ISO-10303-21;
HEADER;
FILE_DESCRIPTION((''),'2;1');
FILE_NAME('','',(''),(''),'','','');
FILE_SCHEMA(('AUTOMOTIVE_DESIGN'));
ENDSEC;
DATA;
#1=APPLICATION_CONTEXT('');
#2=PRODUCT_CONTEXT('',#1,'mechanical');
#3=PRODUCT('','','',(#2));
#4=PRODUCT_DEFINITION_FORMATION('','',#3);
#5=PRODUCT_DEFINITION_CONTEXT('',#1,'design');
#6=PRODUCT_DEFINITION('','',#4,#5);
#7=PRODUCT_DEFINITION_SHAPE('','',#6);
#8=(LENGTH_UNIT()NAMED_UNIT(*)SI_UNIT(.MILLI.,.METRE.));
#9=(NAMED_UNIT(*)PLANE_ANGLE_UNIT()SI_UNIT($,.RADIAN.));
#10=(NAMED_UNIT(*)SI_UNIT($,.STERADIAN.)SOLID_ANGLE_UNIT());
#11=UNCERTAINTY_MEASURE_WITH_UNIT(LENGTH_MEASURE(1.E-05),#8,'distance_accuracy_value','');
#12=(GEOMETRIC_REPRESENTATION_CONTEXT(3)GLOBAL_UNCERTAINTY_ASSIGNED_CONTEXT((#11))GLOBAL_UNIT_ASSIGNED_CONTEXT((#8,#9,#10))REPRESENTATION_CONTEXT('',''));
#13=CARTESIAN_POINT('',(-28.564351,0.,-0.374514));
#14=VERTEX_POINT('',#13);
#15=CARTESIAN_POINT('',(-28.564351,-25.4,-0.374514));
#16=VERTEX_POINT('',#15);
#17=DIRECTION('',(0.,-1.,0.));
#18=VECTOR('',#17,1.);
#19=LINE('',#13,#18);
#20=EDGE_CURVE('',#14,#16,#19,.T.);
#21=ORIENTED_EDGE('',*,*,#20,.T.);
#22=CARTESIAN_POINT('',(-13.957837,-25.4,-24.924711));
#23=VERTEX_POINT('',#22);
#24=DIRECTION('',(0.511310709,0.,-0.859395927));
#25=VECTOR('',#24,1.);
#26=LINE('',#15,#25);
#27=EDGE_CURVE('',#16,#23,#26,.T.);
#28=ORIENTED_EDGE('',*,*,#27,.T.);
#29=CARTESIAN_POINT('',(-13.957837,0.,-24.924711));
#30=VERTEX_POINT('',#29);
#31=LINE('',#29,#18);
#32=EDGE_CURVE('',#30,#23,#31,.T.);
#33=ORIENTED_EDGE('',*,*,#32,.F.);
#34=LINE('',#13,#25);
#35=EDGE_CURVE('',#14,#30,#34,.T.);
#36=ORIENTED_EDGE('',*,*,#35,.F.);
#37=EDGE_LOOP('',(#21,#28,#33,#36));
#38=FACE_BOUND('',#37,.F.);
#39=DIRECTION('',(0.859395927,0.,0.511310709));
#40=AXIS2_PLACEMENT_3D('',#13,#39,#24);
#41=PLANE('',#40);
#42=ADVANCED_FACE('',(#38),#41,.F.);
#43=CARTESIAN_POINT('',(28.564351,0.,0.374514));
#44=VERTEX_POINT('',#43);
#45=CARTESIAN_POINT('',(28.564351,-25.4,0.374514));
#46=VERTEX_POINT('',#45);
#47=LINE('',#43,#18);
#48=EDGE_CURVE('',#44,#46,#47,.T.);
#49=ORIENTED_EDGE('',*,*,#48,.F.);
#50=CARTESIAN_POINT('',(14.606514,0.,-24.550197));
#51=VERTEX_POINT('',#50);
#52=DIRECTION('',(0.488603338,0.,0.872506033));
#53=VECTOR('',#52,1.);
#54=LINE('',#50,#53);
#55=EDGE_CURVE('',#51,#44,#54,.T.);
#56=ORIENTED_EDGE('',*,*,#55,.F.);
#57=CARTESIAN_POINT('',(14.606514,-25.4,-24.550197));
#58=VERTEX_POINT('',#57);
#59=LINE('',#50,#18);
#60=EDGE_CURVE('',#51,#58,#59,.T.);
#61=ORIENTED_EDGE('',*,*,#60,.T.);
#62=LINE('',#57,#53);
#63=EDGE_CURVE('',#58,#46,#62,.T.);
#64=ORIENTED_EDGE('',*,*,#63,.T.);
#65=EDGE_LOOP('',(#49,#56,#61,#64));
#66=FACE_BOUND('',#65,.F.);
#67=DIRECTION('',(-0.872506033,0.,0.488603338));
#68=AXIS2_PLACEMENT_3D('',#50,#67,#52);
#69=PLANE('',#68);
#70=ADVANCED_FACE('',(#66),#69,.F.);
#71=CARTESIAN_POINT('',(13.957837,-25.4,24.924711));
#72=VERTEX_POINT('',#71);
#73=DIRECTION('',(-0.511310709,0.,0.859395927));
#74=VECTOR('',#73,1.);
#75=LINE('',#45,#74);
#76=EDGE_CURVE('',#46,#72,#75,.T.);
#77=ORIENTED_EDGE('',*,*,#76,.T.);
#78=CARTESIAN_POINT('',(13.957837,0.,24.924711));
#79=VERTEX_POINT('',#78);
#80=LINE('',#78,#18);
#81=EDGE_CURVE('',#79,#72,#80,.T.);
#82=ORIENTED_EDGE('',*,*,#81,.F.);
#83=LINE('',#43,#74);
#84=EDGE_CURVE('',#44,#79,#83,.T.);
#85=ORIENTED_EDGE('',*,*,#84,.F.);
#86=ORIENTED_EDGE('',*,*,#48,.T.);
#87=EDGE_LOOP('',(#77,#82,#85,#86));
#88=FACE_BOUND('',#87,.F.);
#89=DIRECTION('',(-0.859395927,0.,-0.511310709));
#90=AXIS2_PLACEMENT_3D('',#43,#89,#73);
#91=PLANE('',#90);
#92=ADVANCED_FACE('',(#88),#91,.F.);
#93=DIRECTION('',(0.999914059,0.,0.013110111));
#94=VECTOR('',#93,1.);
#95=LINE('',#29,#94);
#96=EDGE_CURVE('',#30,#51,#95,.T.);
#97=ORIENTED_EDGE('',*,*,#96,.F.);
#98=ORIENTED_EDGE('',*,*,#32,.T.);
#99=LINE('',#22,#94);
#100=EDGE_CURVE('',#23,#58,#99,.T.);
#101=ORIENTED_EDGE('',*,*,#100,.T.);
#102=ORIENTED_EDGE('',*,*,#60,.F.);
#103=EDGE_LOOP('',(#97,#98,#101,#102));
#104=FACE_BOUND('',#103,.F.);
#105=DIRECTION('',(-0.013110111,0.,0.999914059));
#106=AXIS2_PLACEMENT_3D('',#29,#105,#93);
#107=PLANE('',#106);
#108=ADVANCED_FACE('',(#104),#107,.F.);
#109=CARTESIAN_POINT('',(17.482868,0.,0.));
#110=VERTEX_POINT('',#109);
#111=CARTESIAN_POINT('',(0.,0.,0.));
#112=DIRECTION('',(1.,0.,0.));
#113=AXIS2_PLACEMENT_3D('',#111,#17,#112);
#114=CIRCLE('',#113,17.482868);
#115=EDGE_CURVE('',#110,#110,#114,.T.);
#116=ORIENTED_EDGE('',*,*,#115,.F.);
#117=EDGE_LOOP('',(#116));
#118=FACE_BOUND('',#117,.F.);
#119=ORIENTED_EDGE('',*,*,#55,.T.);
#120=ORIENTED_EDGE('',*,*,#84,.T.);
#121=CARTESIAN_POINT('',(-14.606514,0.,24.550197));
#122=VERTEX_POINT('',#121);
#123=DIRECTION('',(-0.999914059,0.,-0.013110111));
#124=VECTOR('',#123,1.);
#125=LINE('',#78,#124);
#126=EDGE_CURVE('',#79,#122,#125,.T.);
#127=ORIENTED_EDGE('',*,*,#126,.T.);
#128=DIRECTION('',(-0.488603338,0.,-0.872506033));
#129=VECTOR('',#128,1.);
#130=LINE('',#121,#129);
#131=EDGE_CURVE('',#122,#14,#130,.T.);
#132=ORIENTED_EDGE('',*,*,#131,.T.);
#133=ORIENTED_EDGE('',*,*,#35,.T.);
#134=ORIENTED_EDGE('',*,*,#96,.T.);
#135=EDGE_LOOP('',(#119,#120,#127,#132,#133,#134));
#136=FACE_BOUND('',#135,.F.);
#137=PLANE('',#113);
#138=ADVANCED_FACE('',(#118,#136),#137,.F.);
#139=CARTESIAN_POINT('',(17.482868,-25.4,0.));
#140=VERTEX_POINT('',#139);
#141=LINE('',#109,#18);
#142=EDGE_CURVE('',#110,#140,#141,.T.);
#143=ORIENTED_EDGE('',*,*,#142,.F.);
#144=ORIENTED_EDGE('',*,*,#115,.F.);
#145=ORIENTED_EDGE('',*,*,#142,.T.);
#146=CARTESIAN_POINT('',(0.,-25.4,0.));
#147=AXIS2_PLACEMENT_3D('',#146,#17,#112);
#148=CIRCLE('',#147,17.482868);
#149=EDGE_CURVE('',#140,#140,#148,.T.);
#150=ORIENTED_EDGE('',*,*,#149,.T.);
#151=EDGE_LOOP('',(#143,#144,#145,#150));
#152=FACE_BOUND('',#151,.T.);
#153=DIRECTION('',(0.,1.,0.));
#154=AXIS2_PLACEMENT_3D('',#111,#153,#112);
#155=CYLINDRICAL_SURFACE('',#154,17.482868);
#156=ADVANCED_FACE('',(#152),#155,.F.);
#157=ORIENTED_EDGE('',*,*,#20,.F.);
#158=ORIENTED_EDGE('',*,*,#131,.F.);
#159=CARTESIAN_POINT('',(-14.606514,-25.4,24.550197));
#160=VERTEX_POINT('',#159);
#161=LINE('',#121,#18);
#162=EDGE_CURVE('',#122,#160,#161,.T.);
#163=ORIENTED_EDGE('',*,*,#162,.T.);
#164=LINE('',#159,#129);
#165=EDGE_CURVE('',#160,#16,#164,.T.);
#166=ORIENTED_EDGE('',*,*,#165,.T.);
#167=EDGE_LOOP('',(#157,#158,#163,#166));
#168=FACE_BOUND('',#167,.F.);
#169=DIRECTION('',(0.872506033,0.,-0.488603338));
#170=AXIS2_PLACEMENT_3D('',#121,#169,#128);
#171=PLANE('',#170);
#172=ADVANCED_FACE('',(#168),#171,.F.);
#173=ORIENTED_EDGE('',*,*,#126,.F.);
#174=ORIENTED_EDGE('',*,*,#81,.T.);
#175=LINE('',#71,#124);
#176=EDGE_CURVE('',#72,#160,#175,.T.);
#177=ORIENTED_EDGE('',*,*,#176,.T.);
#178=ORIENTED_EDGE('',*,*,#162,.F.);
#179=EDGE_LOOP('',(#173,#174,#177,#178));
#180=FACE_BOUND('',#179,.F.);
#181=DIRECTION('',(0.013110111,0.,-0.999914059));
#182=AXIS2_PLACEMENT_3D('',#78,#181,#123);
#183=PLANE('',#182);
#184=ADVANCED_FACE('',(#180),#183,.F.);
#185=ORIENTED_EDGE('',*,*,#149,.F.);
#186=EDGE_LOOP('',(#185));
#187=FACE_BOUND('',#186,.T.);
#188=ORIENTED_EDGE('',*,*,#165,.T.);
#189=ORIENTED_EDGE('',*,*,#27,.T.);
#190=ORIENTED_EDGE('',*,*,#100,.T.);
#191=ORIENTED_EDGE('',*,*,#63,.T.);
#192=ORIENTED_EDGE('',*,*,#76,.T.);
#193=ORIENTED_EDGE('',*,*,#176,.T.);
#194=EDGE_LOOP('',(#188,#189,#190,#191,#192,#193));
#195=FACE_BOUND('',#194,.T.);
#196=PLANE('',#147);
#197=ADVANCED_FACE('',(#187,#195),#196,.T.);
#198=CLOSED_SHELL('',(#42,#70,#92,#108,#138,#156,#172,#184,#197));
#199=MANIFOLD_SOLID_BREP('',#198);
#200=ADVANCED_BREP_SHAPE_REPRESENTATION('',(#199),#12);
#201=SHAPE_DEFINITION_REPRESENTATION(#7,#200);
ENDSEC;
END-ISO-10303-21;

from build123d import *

# Parameters (mm, degrees)
F0_R     = 17.482868
F1_DEPTH = 25.4
F2_DEPTH = 25.4


with BuildPart() as f1:
    # F0 (on Front) → F1 (new body)
    with BuildSketch(Plane.XZ):
        Polygon((-14.606514, 24.550197), (-28.564351, -0.374514), (-13.957837, -24.924711), (14.606514, -24.550197), (28.564351, 0.374514), (13.957837, 24.924711), align=None)
        Circle(F0_R, mode=Mode.SUBTRACT)
    extrude(amount=F1_DEPTH)

    # F0 (on Front) → F2 (join)
    with BuildSketch(Plane.XZ):
        Polygon((-14.606514, 24.550197), (-28.564351, -0.374514), (-13.957837, -24.924711), (14.606514, -24.550197), (28.564351, 0.374514), (13.957837, 24.924711), align=None)
        Circle(F0_R, mode=Mode.SUBTRACT)
    extrude(amount=F2_DEPTH)


solid = f1.part
